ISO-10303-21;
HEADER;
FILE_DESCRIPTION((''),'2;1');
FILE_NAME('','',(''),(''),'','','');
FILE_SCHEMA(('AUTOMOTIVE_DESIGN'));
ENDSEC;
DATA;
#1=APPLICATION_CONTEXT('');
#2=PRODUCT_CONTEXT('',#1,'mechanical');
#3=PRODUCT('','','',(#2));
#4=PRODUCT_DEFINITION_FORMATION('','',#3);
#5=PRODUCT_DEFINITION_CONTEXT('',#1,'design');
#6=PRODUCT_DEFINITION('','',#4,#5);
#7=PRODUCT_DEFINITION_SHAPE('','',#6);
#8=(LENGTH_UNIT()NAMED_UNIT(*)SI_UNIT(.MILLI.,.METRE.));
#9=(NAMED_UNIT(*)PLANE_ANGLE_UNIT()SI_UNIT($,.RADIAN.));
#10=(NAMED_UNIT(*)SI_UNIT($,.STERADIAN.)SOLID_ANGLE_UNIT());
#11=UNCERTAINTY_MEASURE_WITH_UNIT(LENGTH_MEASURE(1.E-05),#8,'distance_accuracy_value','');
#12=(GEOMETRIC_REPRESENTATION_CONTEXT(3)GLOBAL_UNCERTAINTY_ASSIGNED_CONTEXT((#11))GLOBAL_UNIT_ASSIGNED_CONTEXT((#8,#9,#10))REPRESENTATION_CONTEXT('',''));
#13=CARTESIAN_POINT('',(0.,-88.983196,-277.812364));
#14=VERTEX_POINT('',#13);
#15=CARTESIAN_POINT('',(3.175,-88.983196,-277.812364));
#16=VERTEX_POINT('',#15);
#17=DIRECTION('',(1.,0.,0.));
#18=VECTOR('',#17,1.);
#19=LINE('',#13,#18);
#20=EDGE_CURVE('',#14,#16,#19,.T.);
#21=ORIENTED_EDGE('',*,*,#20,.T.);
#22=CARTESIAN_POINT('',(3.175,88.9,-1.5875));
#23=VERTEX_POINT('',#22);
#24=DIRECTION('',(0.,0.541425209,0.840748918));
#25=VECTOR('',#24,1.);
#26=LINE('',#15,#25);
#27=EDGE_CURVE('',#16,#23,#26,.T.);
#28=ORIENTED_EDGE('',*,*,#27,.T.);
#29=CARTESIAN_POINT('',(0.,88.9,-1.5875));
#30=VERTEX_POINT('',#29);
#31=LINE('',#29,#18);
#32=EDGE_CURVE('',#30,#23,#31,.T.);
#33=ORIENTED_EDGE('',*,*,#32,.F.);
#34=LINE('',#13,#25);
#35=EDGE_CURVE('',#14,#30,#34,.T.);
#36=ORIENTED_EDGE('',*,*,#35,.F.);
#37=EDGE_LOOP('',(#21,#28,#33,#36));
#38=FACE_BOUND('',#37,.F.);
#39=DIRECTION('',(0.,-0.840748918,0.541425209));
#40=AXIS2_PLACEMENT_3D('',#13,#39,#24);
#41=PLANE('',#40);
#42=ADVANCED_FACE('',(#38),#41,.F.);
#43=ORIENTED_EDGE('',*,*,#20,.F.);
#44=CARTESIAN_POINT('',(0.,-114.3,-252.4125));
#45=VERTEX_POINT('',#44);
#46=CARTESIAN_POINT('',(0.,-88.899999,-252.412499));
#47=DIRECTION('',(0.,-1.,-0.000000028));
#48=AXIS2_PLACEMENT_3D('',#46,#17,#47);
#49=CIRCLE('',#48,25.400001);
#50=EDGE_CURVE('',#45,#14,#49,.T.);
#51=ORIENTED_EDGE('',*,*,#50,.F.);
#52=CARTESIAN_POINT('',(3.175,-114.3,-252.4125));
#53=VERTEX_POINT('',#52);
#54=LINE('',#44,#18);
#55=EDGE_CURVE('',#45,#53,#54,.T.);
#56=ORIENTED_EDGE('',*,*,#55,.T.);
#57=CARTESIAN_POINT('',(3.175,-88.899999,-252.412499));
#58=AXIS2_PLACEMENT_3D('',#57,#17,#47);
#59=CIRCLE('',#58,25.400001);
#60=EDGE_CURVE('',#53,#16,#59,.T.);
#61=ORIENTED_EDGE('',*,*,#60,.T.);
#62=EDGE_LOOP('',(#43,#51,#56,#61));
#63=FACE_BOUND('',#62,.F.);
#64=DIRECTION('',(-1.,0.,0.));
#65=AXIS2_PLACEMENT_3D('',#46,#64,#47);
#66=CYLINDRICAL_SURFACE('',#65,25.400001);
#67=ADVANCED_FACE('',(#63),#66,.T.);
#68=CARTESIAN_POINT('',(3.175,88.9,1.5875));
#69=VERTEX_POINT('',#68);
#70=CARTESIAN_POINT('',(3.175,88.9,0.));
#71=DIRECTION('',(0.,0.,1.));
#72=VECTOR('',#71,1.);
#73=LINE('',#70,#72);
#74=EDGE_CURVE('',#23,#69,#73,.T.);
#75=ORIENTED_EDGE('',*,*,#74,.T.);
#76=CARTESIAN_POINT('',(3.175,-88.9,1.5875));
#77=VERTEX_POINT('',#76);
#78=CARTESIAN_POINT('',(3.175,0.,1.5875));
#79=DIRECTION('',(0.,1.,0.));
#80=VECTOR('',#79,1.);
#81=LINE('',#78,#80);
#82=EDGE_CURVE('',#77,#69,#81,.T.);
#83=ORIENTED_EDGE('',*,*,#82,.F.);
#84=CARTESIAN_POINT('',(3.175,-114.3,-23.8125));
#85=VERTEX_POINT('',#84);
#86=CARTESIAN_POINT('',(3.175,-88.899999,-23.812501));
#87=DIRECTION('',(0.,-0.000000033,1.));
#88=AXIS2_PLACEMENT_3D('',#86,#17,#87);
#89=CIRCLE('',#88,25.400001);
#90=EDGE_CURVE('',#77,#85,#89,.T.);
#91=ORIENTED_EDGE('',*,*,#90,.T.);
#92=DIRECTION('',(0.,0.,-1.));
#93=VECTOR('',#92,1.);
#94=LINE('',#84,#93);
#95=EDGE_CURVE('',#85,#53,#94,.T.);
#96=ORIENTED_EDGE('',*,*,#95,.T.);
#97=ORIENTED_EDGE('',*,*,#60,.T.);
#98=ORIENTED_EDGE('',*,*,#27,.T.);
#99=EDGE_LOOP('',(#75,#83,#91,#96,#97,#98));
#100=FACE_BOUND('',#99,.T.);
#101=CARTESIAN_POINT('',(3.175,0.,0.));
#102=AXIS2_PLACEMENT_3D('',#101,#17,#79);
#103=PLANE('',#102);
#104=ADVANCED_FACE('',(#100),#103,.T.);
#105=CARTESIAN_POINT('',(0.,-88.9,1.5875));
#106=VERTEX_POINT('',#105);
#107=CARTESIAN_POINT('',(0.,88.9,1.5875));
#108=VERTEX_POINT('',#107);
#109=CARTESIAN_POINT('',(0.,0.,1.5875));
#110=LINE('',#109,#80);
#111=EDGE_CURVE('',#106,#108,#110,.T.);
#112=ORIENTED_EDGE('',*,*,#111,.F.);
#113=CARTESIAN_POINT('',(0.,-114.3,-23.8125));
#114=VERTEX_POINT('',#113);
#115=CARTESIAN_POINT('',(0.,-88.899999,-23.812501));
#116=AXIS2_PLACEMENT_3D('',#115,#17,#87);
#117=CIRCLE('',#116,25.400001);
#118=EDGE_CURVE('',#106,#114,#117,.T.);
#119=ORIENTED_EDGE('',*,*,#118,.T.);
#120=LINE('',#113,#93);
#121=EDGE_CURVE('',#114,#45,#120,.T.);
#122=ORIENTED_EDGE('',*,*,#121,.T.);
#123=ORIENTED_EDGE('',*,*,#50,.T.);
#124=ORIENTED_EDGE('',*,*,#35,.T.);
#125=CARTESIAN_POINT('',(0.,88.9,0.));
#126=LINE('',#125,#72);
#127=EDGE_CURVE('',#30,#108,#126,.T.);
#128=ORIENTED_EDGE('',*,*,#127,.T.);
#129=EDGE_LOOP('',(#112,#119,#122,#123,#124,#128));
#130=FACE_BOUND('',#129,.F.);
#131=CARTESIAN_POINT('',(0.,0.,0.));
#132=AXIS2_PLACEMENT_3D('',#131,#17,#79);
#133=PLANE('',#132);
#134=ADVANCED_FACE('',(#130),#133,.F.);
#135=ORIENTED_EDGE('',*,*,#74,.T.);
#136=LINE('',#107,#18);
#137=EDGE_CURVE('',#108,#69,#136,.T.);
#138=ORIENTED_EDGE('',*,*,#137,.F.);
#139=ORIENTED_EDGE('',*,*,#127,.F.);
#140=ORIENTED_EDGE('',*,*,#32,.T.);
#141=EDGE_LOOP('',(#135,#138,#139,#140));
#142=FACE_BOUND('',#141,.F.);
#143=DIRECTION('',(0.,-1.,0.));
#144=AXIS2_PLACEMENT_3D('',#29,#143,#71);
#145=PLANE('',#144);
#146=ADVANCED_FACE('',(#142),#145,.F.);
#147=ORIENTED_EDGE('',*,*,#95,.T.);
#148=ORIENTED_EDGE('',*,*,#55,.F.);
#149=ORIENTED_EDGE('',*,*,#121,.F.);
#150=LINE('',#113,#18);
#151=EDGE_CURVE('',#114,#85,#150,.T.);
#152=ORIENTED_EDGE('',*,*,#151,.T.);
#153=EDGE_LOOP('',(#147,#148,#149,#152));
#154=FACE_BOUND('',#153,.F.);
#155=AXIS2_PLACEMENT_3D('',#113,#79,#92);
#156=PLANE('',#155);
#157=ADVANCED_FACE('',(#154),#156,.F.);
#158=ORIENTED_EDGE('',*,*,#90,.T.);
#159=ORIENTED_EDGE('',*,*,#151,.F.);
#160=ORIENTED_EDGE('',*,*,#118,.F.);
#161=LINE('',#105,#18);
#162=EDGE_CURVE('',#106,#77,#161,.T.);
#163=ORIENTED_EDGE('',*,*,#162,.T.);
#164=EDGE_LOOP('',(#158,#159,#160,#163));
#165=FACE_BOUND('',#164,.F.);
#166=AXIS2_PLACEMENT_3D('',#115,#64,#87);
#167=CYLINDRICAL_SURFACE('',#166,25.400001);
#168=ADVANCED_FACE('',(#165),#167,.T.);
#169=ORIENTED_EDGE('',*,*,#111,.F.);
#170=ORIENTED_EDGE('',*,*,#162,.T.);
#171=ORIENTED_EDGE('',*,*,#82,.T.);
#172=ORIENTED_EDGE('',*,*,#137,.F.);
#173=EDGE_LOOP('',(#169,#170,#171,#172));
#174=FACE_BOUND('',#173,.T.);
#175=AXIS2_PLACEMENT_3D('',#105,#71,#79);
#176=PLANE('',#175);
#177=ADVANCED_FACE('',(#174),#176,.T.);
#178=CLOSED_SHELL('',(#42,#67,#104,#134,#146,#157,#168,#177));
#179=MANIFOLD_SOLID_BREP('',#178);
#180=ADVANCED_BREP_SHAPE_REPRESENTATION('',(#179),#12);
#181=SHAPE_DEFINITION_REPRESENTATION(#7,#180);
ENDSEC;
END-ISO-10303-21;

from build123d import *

# Parameters (mm, degrees)
F0_W     = 177.8
F0_H     = 3.175
F1_DEPTH = 3.175


with BuildPart() as f1:
    # F0 (on Right) → F1 (new body)
    with BuildSketch(Plane.YZ):
        Rectangle(F0_W, F0_H)
        with BuildLine():
            Line((-88.9, -1.5875), (-88.9, 1.5875))
            ThreePointArc((-88.9, 1.5875), (-106.860512, -5.851988), (-114.3, -23.8125))
            Line((-114.3, -23.8125), (-111.125, -23.8125))
            ThreePointArc((-111.125, -23.8125), (-104.615448, -8.097052), (-88.9, -1.5875))
        make_face()
        with BuildLine():
            Line((-88.983196, -277.812364), (88.9, -1.5875))
            Line((88.9, -1.5875), (-88.9, -1.5875))
            ThreePointArc((-88.9, -1.5875), (-104.615448, -8.097052), (-111.125, -23.8125))
            Line((-111.125, -23.8125), (-111.125, -248.493359))
            Line((-111.125, -248.493359), (-114.3, -252.4125))
            ThreePointArc((-114.3, -252.4125), (-106.889902, -270.343574), (-88.983196, -277.812364))
        make_face()
        Polygon((-111.125, -23.8125), (-114.3, -23.8125), (-114.3, -252.4125), (-111.125, -248.493359), align=None)
    extrude(amount=F1_DEPTH)


solid = f1.part
